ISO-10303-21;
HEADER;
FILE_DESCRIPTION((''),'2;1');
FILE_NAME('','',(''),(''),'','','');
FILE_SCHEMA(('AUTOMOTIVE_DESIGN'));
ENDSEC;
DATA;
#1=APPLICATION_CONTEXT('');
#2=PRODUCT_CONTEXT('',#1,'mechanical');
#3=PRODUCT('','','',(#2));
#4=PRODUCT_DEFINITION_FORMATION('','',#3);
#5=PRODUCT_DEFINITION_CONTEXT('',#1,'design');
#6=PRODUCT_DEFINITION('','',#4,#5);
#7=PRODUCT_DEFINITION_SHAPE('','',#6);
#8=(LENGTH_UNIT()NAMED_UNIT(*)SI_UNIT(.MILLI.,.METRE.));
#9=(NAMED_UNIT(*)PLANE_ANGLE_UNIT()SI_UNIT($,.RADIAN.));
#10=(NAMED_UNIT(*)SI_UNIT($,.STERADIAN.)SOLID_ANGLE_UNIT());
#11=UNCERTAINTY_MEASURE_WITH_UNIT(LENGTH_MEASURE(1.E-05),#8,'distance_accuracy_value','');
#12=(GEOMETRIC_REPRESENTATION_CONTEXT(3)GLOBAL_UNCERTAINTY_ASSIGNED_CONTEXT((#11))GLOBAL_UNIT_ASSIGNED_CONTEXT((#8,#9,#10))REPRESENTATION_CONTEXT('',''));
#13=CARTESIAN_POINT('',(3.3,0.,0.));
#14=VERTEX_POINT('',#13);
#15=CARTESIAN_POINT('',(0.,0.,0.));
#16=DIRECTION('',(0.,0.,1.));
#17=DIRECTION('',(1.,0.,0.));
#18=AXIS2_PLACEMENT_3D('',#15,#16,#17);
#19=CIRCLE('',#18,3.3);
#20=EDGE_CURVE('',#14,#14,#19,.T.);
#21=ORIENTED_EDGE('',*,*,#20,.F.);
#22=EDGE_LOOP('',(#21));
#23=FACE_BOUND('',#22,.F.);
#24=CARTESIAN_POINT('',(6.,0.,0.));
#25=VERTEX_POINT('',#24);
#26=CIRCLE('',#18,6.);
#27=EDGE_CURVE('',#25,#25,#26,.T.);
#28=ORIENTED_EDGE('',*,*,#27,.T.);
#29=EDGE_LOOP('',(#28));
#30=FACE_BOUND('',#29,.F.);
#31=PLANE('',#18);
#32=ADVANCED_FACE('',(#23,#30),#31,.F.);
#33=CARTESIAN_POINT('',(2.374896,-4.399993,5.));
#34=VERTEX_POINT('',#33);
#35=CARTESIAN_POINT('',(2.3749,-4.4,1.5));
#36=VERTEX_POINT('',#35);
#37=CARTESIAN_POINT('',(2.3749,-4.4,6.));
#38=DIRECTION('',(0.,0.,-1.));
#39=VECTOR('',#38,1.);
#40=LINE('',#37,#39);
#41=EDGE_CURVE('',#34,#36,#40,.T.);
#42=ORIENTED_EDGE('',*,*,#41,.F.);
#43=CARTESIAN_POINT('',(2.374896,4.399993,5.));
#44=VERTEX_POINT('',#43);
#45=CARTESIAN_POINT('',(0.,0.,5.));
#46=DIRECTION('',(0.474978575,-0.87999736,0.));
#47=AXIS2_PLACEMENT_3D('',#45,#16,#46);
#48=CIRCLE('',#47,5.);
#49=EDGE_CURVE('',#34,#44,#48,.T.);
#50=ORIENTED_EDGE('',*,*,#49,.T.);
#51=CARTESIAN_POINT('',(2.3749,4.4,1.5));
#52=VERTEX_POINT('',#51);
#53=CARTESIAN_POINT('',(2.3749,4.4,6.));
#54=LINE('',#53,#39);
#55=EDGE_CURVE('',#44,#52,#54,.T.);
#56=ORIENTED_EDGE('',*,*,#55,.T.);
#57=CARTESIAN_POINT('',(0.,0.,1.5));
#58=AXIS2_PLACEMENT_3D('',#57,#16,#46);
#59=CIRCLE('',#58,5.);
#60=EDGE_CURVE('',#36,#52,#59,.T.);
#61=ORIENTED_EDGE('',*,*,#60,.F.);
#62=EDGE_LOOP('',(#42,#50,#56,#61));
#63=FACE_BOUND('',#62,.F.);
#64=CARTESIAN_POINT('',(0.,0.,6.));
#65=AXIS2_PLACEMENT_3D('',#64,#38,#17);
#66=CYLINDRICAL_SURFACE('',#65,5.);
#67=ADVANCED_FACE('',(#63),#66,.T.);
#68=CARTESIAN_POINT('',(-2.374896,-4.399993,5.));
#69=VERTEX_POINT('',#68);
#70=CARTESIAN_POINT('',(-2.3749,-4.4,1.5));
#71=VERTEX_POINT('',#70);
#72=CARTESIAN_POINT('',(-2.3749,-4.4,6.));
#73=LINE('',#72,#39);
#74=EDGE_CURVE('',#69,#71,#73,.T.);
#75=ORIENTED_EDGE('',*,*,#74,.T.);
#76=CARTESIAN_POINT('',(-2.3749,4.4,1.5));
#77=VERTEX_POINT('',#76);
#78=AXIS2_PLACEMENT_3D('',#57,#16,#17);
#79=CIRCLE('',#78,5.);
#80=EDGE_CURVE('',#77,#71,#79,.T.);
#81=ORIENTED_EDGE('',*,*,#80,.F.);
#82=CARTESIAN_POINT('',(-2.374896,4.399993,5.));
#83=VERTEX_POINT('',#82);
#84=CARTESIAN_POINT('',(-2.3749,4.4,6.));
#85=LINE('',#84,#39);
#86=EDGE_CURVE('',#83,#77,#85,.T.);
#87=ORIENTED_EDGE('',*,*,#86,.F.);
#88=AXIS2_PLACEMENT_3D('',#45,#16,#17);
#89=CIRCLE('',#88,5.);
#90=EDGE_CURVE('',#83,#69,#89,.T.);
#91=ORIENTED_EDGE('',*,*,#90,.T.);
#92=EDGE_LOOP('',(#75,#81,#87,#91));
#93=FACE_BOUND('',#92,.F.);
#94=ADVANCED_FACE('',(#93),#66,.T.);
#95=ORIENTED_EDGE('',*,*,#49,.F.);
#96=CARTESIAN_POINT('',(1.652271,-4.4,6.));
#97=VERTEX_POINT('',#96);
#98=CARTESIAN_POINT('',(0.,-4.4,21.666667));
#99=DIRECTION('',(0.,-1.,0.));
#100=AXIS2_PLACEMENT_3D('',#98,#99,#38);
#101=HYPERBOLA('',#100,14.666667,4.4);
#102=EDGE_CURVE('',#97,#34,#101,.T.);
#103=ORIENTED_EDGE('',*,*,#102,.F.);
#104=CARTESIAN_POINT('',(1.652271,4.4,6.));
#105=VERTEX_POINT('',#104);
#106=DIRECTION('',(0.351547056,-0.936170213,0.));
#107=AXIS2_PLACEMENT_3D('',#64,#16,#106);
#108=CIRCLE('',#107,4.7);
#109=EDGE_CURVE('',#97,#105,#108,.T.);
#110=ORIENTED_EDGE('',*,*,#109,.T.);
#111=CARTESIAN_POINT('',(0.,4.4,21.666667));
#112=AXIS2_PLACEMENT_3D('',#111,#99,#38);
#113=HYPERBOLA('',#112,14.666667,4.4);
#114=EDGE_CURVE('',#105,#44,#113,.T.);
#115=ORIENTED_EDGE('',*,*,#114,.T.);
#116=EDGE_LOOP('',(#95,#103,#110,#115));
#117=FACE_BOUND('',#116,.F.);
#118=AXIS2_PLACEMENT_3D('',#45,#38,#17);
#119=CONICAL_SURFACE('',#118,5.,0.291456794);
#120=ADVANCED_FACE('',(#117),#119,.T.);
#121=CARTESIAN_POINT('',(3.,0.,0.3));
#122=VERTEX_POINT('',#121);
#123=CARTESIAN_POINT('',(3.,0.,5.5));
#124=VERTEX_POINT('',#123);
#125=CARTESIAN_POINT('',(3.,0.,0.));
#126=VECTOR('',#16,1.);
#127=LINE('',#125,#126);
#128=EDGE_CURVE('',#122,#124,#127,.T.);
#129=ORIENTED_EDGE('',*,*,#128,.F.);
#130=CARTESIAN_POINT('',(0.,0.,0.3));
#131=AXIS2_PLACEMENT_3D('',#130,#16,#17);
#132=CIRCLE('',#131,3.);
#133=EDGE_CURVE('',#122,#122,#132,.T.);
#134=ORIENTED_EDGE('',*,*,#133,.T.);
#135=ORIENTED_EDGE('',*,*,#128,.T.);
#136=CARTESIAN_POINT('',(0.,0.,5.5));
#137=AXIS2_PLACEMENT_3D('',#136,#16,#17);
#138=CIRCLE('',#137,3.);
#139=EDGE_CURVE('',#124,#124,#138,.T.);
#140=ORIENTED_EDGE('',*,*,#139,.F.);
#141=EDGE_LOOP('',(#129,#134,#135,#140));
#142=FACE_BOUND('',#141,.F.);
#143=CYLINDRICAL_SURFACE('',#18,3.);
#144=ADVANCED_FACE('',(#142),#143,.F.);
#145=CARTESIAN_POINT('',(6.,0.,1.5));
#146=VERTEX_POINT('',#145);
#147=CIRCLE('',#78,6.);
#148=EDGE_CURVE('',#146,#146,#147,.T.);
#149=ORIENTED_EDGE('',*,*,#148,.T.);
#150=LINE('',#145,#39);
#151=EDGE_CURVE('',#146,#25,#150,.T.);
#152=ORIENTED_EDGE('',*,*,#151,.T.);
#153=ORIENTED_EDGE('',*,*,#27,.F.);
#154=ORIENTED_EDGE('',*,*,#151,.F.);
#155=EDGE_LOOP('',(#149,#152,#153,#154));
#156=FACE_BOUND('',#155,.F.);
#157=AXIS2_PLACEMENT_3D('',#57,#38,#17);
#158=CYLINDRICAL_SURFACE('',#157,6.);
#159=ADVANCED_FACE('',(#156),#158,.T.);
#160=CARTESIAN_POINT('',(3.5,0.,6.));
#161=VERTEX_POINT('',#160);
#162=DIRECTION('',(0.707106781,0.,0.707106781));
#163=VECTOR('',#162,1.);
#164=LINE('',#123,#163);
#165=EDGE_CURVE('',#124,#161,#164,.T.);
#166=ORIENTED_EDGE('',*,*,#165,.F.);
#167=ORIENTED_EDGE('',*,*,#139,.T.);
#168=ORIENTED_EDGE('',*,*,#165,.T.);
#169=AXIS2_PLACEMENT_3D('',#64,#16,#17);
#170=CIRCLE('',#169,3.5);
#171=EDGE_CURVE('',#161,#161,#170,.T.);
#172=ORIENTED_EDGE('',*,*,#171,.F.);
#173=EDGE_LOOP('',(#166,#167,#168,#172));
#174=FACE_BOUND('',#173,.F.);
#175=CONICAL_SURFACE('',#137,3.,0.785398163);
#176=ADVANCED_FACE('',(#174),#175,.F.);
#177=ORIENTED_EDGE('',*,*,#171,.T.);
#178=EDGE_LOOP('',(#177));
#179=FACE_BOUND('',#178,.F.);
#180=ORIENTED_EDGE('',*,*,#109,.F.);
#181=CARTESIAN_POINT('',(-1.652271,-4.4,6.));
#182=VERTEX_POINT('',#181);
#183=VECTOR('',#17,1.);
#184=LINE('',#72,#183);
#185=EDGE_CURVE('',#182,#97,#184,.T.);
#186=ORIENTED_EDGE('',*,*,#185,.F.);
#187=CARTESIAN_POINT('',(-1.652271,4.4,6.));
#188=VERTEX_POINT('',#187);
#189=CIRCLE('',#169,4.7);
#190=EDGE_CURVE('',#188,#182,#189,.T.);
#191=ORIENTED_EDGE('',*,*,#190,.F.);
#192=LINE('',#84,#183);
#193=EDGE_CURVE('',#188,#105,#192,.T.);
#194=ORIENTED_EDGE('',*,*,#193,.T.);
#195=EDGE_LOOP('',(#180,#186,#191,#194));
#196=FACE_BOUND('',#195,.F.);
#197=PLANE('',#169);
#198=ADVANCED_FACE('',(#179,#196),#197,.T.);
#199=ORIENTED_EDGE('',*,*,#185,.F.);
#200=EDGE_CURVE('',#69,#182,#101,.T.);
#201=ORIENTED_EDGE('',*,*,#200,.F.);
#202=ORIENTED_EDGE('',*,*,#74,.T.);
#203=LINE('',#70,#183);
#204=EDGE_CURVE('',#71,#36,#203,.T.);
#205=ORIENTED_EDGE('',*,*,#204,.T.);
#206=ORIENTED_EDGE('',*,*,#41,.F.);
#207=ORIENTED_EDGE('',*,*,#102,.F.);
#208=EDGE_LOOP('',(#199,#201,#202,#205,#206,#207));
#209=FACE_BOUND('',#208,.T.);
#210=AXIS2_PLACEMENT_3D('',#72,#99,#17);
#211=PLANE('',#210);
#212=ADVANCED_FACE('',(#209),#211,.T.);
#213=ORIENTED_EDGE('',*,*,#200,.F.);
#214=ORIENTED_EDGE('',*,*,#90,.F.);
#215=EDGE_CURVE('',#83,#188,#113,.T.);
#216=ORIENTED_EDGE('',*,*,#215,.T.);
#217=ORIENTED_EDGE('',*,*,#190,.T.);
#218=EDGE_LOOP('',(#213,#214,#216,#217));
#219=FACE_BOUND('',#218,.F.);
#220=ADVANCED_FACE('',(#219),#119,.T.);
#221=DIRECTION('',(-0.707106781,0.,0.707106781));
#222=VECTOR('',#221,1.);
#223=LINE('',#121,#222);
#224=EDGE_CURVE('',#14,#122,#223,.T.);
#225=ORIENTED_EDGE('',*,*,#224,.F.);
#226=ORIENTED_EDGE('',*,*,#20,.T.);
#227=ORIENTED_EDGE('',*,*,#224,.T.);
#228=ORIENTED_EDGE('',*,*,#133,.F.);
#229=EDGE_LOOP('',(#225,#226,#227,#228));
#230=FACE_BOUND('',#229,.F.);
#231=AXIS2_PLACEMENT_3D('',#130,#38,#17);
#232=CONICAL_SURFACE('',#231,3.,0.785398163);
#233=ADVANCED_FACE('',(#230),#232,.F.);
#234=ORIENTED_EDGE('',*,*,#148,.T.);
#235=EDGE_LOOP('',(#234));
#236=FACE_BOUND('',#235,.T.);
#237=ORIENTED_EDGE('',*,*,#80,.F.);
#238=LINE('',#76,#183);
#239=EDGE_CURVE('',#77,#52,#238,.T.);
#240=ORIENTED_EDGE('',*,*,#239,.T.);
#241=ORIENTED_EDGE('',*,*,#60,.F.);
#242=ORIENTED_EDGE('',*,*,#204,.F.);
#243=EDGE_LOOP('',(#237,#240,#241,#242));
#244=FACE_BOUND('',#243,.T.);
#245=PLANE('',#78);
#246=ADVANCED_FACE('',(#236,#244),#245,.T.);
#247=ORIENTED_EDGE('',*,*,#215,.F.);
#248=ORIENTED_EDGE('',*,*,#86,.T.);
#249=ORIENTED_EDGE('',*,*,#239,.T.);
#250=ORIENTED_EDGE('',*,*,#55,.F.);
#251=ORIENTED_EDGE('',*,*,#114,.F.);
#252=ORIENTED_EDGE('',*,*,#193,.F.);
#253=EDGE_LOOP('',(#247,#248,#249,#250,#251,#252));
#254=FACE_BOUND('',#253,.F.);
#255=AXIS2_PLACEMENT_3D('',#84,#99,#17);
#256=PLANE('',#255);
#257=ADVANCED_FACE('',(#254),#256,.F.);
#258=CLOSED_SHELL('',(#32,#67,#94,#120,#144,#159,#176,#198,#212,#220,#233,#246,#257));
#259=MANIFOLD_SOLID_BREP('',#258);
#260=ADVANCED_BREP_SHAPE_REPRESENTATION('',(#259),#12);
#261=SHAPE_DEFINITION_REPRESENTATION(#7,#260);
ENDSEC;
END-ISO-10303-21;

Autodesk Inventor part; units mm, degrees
ref_plane "YZ Plane" through (0, 0, 0) normal (1, 0, 0) x (0, 1, 0)
ref_plane "XZ Plane" through (0, 0, 0) normal (0, 1, 0) x (-1, 0, 0)
ref_plane "XY Plane" through (0, 0, 0) normal (0, 0, 1) x (1, 0, 0)
sketch "Sketch1" plane through (0, 0, 0) normal (0, 1, 0) x (-1, 0, 0)
  line L0 (0, 0) -> (0, 6)
  line L1 (-3, 0) -> (-3, 6)
  line L2 (-3, 6) -> (-5, 6)
  line L3 (-5, 6) -> (-5, 1.5)
  line L4 (-5, 1.5) -> (-6, 1.5)
  line L5 (-6, 1.5) -> (-6, 0)
  line L6 (-6, 0) -> (-3, 0)
  dimension "InsideDiameter" = 6
  dimension "OuterDiameter" = 10
  dimension "FlangeDiameter" = 12
  dimension "FlangeThickness" = 1.5
  dimension "Length" = 6
revolve "Revolution1" add sketch "Sketch1" angle 360 about axis through (0, 0, 0) along (0, 0, 1)
chamfer "Chamfer1" distance 0.3 angle 45 1 edges at (-3, 0, 0)
chamfer "Chamfer2" distance 0.5 angle 45 1 edges at (-3, 0, 6)
chamfer "Chamfer3" distance 0.3 distance2 1 1 edges at (-5, 0, 6) measured on face at (4.4516, -0.3989, 6)
sketch "Sketch2" plane through (0, 0, 6) normal (0, 0, 1) x (1, 0, 0)
  circle A0 centre (0, 0) radius 5 projected
  line L0 (-2.3749, -4.4) -> (2.3749, -4.4)
  line L1 (-5, 0) -> (5, 0) construction
  line L2 (-2.3749, 4.4) -> (2.3749, 4.4)
  dimension "Width" = 8.8
extrude "Extrusion1" cut sketch "Sketch2" against normal up to surface (4.5 mm away) contours L2 A0 | A0 L0
properties part number "LED-0606" material "Acetal Resin, Black"
